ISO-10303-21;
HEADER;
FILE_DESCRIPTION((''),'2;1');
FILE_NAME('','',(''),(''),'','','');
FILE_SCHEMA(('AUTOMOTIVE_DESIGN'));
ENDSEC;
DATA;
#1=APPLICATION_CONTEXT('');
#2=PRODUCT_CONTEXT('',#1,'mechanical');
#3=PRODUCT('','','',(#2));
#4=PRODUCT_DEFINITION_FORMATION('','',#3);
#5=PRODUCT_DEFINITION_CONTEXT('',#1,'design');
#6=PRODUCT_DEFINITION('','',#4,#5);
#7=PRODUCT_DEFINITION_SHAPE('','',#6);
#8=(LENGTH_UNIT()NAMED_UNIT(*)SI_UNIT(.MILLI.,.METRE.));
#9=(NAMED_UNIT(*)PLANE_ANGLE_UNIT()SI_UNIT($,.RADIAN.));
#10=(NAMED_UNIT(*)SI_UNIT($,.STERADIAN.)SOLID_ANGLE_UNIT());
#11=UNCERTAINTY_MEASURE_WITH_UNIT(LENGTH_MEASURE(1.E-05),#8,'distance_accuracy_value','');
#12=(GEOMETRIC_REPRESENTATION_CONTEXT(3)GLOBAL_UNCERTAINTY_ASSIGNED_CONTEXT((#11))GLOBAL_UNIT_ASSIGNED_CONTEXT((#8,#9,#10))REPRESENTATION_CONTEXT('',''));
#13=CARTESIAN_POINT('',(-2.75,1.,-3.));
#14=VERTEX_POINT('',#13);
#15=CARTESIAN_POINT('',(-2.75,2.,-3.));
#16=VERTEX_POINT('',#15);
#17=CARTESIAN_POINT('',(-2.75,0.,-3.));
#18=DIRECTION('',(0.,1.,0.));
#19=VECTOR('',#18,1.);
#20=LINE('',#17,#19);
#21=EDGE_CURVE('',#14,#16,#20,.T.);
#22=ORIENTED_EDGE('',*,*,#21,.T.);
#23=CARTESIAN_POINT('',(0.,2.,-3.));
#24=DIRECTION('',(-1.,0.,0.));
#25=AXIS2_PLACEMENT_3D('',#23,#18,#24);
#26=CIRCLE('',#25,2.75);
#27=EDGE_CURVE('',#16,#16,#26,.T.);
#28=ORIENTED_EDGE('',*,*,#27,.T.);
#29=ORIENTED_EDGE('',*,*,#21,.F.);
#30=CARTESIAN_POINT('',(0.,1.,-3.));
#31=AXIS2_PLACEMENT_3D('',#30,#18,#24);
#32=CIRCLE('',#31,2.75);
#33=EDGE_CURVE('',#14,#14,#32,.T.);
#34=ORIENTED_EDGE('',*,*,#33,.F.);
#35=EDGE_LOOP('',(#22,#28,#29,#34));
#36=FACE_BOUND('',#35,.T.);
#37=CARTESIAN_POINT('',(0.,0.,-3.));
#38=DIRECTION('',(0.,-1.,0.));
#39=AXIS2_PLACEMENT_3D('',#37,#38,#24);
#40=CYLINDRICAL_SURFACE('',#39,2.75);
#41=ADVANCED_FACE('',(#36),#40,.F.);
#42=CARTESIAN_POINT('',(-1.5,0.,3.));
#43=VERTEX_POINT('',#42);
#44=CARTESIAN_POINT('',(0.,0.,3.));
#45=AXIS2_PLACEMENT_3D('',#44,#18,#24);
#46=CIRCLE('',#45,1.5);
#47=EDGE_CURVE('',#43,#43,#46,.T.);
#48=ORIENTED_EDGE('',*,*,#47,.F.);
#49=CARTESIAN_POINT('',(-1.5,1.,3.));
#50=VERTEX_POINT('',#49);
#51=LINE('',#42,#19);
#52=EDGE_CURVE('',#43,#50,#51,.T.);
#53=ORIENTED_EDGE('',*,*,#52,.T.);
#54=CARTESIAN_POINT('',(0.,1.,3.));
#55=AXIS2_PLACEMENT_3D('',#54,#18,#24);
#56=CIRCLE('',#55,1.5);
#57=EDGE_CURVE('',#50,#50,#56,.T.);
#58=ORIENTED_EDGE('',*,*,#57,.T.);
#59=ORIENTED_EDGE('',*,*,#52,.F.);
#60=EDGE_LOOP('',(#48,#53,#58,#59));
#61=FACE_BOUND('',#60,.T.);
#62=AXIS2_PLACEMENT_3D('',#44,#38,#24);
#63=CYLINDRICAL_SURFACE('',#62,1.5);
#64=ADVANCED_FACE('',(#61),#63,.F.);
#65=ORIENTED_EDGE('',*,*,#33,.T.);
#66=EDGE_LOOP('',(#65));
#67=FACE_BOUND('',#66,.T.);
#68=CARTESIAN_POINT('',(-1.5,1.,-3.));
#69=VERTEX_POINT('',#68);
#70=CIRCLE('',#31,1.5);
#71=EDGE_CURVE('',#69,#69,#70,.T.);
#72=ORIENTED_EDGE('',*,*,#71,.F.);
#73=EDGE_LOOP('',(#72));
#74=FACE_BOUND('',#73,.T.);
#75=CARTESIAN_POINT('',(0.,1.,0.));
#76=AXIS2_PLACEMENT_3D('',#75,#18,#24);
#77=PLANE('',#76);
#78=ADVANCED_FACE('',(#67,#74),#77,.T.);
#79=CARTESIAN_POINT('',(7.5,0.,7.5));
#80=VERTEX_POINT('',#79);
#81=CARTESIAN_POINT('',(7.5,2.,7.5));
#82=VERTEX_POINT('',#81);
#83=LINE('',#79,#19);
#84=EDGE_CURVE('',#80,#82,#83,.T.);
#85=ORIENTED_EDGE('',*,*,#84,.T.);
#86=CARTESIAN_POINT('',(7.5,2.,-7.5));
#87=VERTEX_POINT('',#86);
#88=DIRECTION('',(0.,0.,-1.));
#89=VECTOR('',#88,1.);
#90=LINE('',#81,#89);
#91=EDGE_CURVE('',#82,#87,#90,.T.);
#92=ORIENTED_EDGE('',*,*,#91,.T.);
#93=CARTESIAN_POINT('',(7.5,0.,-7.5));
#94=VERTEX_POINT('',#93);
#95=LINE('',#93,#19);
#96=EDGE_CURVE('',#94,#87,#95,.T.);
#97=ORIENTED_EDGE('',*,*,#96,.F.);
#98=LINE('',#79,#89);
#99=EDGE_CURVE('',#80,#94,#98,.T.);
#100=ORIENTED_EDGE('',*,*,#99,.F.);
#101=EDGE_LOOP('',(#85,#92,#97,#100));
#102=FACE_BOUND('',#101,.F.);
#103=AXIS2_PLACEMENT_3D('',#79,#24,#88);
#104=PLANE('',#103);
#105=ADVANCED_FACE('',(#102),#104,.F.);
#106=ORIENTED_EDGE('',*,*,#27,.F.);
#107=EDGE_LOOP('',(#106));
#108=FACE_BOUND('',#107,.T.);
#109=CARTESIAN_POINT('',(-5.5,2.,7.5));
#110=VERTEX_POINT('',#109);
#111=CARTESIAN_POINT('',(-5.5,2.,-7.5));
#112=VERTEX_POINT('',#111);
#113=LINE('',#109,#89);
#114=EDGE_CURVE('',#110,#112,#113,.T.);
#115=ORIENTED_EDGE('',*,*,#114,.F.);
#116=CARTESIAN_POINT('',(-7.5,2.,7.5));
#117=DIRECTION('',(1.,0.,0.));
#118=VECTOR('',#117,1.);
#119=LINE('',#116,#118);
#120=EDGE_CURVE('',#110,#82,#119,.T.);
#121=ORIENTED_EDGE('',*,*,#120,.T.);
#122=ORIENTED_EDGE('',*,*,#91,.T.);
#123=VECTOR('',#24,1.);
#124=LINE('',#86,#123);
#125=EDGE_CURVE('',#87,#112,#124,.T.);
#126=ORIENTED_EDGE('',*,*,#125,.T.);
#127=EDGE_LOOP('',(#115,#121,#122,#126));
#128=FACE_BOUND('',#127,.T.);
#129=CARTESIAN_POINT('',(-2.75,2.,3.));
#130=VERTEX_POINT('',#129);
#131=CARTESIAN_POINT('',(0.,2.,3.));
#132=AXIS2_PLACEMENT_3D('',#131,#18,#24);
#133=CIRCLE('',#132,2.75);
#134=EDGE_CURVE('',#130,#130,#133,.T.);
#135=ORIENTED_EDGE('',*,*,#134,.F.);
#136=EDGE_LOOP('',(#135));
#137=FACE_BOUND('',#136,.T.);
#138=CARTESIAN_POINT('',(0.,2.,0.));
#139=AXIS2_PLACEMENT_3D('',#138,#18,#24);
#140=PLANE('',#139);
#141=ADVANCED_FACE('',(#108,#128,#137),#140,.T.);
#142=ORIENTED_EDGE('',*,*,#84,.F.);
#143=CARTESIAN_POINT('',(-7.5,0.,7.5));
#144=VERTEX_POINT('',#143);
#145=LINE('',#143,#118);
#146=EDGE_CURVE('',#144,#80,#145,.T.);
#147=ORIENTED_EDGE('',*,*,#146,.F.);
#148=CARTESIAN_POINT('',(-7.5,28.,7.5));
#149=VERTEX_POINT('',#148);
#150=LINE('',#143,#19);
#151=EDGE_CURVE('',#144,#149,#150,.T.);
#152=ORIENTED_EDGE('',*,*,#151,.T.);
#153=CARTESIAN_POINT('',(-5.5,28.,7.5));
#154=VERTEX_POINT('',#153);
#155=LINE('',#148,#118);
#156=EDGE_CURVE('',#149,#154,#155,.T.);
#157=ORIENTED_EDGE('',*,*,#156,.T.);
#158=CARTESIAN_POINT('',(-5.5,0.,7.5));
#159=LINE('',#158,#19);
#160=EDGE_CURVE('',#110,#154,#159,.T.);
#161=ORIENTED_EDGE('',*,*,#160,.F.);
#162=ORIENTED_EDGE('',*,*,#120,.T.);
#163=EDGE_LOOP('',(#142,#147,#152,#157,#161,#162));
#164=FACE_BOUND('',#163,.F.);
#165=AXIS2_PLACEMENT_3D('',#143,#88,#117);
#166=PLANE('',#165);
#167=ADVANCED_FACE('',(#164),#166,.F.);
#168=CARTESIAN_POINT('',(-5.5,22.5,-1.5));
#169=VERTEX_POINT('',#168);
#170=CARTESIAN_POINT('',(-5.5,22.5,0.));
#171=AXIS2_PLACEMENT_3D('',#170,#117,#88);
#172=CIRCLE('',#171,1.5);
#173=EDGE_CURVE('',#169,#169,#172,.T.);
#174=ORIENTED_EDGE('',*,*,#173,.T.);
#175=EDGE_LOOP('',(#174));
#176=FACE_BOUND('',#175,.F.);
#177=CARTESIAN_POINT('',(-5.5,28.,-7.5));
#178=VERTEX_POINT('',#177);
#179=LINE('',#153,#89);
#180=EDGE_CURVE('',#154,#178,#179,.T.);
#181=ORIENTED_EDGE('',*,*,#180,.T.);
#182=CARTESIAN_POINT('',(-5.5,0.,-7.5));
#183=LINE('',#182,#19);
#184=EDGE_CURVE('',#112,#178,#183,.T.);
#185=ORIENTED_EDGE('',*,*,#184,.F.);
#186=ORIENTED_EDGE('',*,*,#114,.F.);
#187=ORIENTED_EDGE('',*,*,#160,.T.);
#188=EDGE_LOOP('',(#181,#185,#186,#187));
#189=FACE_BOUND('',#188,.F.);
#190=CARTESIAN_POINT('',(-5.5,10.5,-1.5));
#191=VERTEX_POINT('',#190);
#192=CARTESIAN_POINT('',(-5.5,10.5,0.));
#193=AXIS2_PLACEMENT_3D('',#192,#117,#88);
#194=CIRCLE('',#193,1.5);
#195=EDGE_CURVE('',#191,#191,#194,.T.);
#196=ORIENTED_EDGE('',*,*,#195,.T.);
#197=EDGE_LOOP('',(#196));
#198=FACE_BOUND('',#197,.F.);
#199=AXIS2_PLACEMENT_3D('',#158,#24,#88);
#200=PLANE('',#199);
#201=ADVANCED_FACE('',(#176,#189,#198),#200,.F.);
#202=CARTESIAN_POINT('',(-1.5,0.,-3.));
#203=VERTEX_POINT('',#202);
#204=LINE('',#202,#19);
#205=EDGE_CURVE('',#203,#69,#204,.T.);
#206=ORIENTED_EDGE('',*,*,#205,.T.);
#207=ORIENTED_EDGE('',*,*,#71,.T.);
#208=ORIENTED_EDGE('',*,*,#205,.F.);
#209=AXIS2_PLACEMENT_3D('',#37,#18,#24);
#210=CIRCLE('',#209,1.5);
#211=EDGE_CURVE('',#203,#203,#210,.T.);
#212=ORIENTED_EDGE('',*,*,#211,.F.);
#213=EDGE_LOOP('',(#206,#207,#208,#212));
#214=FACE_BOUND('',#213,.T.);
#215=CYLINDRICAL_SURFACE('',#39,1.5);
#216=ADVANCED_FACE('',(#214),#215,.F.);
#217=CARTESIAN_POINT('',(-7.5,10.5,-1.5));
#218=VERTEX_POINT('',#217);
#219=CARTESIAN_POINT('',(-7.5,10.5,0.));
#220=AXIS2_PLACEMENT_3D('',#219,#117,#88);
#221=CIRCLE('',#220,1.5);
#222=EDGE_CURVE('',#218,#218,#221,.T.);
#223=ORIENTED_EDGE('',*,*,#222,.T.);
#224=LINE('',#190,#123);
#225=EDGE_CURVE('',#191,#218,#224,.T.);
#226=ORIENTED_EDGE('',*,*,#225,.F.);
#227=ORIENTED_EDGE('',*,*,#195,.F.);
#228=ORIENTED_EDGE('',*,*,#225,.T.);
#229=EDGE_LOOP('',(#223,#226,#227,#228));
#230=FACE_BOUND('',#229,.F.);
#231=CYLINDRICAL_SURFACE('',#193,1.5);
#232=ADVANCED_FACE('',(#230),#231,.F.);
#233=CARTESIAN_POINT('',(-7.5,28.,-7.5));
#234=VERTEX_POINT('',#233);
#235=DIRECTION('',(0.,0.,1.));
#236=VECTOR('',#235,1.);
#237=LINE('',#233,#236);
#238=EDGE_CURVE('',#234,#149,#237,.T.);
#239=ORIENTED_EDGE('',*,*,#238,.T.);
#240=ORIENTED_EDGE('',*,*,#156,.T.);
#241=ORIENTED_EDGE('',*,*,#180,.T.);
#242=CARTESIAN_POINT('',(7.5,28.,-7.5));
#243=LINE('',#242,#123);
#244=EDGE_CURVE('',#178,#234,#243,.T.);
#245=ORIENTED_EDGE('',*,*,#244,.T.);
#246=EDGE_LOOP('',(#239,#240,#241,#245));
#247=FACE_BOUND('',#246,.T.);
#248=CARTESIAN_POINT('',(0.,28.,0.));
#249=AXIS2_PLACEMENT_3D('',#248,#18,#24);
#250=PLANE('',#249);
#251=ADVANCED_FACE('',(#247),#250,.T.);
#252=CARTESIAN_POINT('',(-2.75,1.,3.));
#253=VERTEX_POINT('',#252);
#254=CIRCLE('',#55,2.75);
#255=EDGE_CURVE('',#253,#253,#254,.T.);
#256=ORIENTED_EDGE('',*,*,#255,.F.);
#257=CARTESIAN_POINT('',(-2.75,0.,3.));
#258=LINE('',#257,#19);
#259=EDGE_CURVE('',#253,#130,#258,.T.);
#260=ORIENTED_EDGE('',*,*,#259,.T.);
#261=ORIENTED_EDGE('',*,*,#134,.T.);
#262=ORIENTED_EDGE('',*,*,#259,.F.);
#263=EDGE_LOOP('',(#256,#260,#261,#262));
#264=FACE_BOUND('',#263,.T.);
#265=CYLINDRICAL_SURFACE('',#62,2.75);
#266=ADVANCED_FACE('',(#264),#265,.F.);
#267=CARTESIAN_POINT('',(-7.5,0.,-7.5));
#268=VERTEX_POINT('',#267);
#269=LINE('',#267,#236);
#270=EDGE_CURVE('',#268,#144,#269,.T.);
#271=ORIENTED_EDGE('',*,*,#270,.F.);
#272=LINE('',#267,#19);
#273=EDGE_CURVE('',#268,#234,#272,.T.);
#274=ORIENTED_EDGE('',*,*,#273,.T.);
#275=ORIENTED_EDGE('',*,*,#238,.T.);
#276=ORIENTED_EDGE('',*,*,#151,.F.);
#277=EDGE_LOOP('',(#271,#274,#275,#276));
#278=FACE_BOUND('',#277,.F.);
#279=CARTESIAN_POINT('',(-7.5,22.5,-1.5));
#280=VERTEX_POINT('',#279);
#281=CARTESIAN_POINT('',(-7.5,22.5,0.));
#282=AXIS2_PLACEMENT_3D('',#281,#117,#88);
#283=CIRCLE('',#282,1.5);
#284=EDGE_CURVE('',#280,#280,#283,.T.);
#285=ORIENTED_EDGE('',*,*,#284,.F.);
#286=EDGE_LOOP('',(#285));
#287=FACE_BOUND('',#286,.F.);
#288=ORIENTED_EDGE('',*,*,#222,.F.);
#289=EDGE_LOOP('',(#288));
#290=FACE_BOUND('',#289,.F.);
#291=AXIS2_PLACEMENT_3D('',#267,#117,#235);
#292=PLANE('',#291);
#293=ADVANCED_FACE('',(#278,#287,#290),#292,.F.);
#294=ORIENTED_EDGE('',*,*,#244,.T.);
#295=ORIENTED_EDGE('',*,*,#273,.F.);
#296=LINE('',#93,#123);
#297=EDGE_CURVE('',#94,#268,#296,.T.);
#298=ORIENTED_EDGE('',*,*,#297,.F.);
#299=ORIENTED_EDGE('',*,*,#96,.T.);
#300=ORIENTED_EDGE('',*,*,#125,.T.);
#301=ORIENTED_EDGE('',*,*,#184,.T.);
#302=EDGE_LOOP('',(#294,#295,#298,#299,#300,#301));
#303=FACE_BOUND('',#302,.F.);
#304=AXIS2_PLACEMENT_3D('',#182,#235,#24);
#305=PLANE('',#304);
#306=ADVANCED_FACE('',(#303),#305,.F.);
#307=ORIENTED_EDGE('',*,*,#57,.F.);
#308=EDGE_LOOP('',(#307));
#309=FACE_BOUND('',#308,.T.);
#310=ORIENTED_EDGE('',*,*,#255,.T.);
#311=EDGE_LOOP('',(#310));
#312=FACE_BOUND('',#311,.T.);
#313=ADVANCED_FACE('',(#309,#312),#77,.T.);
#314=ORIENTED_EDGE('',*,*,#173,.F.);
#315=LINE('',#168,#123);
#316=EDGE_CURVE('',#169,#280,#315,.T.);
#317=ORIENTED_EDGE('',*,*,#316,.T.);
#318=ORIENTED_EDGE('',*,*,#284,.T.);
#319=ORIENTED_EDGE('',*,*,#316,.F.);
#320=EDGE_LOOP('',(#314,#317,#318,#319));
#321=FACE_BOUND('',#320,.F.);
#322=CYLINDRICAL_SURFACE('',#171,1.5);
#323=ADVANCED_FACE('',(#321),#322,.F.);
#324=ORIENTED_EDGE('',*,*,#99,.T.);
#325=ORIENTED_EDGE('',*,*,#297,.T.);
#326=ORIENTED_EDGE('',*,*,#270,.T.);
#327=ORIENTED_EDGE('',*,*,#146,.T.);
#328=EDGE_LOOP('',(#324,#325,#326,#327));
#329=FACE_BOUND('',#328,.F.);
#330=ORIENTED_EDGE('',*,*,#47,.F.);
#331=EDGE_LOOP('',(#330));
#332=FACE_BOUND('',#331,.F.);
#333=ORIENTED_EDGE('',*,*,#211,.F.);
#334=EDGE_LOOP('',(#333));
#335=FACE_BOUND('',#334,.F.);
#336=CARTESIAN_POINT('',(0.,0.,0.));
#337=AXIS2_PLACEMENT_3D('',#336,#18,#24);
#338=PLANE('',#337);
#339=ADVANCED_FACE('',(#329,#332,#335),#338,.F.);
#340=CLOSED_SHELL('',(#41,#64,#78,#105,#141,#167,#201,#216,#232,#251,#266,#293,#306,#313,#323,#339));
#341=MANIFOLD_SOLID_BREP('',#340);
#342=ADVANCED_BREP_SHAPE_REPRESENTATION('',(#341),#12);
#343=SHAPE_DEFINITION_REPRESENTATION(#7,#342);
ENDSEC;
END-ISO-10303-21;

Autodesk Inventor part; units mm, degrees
ref_plane "YZ Plane" through (0, 0, 0) normal (1, 0, 0) x (0, 1, 0)
ref_plane "XZ Plane" through (0, 0, 0) normal (0, 1, 0) x (-1, 0, 0)
ref_plane "XY Plane" through (0, 0, 0) normal (0, 0, 1) x (1, 0, 0)
sketch "Sketch1" plane through (0, 0, 0) normal (0, 1, 0) x (-1, 0, 0)
  line L0 (7.5, 7.5) -> (-7.5, 7.5)
  line L1 (-7.5, 7.5) -> (-7.5, -7.5)
  line L2 (-7.5, -7.5) -> (7.5, -7.5)
  line L3 (7.5, -7.5) -> (7.5, 7.5)
  line L4 (7.5, 7.5) -> (-7.5, -7.5) construction
  line L5 (-7.5, 7.5) -> (7.5, -7.5) construction
  line L6 (7.5, 7.5) -> (5.5, 7.5)
  line L7 (5.5, 7.5) -> (5.5, -7.5)
  line L8 (5.5, -7.5) -> (7.5, -7.5)
  line L9 (7.5, -7.5) -> (7.5, 7.5)
  circle A0 centre (0, 3) radius 1.5
  circle A1 centre (0, 3) radius 2.75
  line L10 (7.5, 0) -> (-7.5, 0) construction
  line L11 (0, 7.5) -> (0, -7.5) construction
  circle A2 centre (0, -3) radius 1.5
  circle A3 centre (0, -3) radius 2.75
  point P0 (0, 0)
  dimension "d0" = 15
  dimension "d1" = 15
  dimension "d2" = 2
  dimension "d3" = 3
  dimension "d4" = 5.5
  dimension "d5" = 4.5
extrude "Extrusion1" add sketch "Sketch1" along normal blind 2 contours L7 L2 L1 L0
extrude "Extrusion2" add sketch "Sketch1" along normal blind 1 contours A1 | A3
extrude "Extrusion3" add sketch "Sketch1" along normal blind 28 contours L3 L2 L7 L0
sketch "Sketch2" plane through (-5.5, 2, -7.5) normal (1, 0, 0) x (0, 0, -1)
  circle A0 centre (-7.5, 8.5) radius 1.5
  line L0 (-15, 0) -> (0, 0) projected
  circle A1 centre (-7.5, 20.5) radius 1.5
  point P0 (-7.5, -2)
  dimension "d12" = 3
  dimension "d13" = 8.5
  dimension "d14" = 3
  dimension "d15" = 20.5
extrude "Extrusion4" cut sketch "Sketch2" against normal blind 2
properties part number "Konektor Lifter 2_3DPrint"
